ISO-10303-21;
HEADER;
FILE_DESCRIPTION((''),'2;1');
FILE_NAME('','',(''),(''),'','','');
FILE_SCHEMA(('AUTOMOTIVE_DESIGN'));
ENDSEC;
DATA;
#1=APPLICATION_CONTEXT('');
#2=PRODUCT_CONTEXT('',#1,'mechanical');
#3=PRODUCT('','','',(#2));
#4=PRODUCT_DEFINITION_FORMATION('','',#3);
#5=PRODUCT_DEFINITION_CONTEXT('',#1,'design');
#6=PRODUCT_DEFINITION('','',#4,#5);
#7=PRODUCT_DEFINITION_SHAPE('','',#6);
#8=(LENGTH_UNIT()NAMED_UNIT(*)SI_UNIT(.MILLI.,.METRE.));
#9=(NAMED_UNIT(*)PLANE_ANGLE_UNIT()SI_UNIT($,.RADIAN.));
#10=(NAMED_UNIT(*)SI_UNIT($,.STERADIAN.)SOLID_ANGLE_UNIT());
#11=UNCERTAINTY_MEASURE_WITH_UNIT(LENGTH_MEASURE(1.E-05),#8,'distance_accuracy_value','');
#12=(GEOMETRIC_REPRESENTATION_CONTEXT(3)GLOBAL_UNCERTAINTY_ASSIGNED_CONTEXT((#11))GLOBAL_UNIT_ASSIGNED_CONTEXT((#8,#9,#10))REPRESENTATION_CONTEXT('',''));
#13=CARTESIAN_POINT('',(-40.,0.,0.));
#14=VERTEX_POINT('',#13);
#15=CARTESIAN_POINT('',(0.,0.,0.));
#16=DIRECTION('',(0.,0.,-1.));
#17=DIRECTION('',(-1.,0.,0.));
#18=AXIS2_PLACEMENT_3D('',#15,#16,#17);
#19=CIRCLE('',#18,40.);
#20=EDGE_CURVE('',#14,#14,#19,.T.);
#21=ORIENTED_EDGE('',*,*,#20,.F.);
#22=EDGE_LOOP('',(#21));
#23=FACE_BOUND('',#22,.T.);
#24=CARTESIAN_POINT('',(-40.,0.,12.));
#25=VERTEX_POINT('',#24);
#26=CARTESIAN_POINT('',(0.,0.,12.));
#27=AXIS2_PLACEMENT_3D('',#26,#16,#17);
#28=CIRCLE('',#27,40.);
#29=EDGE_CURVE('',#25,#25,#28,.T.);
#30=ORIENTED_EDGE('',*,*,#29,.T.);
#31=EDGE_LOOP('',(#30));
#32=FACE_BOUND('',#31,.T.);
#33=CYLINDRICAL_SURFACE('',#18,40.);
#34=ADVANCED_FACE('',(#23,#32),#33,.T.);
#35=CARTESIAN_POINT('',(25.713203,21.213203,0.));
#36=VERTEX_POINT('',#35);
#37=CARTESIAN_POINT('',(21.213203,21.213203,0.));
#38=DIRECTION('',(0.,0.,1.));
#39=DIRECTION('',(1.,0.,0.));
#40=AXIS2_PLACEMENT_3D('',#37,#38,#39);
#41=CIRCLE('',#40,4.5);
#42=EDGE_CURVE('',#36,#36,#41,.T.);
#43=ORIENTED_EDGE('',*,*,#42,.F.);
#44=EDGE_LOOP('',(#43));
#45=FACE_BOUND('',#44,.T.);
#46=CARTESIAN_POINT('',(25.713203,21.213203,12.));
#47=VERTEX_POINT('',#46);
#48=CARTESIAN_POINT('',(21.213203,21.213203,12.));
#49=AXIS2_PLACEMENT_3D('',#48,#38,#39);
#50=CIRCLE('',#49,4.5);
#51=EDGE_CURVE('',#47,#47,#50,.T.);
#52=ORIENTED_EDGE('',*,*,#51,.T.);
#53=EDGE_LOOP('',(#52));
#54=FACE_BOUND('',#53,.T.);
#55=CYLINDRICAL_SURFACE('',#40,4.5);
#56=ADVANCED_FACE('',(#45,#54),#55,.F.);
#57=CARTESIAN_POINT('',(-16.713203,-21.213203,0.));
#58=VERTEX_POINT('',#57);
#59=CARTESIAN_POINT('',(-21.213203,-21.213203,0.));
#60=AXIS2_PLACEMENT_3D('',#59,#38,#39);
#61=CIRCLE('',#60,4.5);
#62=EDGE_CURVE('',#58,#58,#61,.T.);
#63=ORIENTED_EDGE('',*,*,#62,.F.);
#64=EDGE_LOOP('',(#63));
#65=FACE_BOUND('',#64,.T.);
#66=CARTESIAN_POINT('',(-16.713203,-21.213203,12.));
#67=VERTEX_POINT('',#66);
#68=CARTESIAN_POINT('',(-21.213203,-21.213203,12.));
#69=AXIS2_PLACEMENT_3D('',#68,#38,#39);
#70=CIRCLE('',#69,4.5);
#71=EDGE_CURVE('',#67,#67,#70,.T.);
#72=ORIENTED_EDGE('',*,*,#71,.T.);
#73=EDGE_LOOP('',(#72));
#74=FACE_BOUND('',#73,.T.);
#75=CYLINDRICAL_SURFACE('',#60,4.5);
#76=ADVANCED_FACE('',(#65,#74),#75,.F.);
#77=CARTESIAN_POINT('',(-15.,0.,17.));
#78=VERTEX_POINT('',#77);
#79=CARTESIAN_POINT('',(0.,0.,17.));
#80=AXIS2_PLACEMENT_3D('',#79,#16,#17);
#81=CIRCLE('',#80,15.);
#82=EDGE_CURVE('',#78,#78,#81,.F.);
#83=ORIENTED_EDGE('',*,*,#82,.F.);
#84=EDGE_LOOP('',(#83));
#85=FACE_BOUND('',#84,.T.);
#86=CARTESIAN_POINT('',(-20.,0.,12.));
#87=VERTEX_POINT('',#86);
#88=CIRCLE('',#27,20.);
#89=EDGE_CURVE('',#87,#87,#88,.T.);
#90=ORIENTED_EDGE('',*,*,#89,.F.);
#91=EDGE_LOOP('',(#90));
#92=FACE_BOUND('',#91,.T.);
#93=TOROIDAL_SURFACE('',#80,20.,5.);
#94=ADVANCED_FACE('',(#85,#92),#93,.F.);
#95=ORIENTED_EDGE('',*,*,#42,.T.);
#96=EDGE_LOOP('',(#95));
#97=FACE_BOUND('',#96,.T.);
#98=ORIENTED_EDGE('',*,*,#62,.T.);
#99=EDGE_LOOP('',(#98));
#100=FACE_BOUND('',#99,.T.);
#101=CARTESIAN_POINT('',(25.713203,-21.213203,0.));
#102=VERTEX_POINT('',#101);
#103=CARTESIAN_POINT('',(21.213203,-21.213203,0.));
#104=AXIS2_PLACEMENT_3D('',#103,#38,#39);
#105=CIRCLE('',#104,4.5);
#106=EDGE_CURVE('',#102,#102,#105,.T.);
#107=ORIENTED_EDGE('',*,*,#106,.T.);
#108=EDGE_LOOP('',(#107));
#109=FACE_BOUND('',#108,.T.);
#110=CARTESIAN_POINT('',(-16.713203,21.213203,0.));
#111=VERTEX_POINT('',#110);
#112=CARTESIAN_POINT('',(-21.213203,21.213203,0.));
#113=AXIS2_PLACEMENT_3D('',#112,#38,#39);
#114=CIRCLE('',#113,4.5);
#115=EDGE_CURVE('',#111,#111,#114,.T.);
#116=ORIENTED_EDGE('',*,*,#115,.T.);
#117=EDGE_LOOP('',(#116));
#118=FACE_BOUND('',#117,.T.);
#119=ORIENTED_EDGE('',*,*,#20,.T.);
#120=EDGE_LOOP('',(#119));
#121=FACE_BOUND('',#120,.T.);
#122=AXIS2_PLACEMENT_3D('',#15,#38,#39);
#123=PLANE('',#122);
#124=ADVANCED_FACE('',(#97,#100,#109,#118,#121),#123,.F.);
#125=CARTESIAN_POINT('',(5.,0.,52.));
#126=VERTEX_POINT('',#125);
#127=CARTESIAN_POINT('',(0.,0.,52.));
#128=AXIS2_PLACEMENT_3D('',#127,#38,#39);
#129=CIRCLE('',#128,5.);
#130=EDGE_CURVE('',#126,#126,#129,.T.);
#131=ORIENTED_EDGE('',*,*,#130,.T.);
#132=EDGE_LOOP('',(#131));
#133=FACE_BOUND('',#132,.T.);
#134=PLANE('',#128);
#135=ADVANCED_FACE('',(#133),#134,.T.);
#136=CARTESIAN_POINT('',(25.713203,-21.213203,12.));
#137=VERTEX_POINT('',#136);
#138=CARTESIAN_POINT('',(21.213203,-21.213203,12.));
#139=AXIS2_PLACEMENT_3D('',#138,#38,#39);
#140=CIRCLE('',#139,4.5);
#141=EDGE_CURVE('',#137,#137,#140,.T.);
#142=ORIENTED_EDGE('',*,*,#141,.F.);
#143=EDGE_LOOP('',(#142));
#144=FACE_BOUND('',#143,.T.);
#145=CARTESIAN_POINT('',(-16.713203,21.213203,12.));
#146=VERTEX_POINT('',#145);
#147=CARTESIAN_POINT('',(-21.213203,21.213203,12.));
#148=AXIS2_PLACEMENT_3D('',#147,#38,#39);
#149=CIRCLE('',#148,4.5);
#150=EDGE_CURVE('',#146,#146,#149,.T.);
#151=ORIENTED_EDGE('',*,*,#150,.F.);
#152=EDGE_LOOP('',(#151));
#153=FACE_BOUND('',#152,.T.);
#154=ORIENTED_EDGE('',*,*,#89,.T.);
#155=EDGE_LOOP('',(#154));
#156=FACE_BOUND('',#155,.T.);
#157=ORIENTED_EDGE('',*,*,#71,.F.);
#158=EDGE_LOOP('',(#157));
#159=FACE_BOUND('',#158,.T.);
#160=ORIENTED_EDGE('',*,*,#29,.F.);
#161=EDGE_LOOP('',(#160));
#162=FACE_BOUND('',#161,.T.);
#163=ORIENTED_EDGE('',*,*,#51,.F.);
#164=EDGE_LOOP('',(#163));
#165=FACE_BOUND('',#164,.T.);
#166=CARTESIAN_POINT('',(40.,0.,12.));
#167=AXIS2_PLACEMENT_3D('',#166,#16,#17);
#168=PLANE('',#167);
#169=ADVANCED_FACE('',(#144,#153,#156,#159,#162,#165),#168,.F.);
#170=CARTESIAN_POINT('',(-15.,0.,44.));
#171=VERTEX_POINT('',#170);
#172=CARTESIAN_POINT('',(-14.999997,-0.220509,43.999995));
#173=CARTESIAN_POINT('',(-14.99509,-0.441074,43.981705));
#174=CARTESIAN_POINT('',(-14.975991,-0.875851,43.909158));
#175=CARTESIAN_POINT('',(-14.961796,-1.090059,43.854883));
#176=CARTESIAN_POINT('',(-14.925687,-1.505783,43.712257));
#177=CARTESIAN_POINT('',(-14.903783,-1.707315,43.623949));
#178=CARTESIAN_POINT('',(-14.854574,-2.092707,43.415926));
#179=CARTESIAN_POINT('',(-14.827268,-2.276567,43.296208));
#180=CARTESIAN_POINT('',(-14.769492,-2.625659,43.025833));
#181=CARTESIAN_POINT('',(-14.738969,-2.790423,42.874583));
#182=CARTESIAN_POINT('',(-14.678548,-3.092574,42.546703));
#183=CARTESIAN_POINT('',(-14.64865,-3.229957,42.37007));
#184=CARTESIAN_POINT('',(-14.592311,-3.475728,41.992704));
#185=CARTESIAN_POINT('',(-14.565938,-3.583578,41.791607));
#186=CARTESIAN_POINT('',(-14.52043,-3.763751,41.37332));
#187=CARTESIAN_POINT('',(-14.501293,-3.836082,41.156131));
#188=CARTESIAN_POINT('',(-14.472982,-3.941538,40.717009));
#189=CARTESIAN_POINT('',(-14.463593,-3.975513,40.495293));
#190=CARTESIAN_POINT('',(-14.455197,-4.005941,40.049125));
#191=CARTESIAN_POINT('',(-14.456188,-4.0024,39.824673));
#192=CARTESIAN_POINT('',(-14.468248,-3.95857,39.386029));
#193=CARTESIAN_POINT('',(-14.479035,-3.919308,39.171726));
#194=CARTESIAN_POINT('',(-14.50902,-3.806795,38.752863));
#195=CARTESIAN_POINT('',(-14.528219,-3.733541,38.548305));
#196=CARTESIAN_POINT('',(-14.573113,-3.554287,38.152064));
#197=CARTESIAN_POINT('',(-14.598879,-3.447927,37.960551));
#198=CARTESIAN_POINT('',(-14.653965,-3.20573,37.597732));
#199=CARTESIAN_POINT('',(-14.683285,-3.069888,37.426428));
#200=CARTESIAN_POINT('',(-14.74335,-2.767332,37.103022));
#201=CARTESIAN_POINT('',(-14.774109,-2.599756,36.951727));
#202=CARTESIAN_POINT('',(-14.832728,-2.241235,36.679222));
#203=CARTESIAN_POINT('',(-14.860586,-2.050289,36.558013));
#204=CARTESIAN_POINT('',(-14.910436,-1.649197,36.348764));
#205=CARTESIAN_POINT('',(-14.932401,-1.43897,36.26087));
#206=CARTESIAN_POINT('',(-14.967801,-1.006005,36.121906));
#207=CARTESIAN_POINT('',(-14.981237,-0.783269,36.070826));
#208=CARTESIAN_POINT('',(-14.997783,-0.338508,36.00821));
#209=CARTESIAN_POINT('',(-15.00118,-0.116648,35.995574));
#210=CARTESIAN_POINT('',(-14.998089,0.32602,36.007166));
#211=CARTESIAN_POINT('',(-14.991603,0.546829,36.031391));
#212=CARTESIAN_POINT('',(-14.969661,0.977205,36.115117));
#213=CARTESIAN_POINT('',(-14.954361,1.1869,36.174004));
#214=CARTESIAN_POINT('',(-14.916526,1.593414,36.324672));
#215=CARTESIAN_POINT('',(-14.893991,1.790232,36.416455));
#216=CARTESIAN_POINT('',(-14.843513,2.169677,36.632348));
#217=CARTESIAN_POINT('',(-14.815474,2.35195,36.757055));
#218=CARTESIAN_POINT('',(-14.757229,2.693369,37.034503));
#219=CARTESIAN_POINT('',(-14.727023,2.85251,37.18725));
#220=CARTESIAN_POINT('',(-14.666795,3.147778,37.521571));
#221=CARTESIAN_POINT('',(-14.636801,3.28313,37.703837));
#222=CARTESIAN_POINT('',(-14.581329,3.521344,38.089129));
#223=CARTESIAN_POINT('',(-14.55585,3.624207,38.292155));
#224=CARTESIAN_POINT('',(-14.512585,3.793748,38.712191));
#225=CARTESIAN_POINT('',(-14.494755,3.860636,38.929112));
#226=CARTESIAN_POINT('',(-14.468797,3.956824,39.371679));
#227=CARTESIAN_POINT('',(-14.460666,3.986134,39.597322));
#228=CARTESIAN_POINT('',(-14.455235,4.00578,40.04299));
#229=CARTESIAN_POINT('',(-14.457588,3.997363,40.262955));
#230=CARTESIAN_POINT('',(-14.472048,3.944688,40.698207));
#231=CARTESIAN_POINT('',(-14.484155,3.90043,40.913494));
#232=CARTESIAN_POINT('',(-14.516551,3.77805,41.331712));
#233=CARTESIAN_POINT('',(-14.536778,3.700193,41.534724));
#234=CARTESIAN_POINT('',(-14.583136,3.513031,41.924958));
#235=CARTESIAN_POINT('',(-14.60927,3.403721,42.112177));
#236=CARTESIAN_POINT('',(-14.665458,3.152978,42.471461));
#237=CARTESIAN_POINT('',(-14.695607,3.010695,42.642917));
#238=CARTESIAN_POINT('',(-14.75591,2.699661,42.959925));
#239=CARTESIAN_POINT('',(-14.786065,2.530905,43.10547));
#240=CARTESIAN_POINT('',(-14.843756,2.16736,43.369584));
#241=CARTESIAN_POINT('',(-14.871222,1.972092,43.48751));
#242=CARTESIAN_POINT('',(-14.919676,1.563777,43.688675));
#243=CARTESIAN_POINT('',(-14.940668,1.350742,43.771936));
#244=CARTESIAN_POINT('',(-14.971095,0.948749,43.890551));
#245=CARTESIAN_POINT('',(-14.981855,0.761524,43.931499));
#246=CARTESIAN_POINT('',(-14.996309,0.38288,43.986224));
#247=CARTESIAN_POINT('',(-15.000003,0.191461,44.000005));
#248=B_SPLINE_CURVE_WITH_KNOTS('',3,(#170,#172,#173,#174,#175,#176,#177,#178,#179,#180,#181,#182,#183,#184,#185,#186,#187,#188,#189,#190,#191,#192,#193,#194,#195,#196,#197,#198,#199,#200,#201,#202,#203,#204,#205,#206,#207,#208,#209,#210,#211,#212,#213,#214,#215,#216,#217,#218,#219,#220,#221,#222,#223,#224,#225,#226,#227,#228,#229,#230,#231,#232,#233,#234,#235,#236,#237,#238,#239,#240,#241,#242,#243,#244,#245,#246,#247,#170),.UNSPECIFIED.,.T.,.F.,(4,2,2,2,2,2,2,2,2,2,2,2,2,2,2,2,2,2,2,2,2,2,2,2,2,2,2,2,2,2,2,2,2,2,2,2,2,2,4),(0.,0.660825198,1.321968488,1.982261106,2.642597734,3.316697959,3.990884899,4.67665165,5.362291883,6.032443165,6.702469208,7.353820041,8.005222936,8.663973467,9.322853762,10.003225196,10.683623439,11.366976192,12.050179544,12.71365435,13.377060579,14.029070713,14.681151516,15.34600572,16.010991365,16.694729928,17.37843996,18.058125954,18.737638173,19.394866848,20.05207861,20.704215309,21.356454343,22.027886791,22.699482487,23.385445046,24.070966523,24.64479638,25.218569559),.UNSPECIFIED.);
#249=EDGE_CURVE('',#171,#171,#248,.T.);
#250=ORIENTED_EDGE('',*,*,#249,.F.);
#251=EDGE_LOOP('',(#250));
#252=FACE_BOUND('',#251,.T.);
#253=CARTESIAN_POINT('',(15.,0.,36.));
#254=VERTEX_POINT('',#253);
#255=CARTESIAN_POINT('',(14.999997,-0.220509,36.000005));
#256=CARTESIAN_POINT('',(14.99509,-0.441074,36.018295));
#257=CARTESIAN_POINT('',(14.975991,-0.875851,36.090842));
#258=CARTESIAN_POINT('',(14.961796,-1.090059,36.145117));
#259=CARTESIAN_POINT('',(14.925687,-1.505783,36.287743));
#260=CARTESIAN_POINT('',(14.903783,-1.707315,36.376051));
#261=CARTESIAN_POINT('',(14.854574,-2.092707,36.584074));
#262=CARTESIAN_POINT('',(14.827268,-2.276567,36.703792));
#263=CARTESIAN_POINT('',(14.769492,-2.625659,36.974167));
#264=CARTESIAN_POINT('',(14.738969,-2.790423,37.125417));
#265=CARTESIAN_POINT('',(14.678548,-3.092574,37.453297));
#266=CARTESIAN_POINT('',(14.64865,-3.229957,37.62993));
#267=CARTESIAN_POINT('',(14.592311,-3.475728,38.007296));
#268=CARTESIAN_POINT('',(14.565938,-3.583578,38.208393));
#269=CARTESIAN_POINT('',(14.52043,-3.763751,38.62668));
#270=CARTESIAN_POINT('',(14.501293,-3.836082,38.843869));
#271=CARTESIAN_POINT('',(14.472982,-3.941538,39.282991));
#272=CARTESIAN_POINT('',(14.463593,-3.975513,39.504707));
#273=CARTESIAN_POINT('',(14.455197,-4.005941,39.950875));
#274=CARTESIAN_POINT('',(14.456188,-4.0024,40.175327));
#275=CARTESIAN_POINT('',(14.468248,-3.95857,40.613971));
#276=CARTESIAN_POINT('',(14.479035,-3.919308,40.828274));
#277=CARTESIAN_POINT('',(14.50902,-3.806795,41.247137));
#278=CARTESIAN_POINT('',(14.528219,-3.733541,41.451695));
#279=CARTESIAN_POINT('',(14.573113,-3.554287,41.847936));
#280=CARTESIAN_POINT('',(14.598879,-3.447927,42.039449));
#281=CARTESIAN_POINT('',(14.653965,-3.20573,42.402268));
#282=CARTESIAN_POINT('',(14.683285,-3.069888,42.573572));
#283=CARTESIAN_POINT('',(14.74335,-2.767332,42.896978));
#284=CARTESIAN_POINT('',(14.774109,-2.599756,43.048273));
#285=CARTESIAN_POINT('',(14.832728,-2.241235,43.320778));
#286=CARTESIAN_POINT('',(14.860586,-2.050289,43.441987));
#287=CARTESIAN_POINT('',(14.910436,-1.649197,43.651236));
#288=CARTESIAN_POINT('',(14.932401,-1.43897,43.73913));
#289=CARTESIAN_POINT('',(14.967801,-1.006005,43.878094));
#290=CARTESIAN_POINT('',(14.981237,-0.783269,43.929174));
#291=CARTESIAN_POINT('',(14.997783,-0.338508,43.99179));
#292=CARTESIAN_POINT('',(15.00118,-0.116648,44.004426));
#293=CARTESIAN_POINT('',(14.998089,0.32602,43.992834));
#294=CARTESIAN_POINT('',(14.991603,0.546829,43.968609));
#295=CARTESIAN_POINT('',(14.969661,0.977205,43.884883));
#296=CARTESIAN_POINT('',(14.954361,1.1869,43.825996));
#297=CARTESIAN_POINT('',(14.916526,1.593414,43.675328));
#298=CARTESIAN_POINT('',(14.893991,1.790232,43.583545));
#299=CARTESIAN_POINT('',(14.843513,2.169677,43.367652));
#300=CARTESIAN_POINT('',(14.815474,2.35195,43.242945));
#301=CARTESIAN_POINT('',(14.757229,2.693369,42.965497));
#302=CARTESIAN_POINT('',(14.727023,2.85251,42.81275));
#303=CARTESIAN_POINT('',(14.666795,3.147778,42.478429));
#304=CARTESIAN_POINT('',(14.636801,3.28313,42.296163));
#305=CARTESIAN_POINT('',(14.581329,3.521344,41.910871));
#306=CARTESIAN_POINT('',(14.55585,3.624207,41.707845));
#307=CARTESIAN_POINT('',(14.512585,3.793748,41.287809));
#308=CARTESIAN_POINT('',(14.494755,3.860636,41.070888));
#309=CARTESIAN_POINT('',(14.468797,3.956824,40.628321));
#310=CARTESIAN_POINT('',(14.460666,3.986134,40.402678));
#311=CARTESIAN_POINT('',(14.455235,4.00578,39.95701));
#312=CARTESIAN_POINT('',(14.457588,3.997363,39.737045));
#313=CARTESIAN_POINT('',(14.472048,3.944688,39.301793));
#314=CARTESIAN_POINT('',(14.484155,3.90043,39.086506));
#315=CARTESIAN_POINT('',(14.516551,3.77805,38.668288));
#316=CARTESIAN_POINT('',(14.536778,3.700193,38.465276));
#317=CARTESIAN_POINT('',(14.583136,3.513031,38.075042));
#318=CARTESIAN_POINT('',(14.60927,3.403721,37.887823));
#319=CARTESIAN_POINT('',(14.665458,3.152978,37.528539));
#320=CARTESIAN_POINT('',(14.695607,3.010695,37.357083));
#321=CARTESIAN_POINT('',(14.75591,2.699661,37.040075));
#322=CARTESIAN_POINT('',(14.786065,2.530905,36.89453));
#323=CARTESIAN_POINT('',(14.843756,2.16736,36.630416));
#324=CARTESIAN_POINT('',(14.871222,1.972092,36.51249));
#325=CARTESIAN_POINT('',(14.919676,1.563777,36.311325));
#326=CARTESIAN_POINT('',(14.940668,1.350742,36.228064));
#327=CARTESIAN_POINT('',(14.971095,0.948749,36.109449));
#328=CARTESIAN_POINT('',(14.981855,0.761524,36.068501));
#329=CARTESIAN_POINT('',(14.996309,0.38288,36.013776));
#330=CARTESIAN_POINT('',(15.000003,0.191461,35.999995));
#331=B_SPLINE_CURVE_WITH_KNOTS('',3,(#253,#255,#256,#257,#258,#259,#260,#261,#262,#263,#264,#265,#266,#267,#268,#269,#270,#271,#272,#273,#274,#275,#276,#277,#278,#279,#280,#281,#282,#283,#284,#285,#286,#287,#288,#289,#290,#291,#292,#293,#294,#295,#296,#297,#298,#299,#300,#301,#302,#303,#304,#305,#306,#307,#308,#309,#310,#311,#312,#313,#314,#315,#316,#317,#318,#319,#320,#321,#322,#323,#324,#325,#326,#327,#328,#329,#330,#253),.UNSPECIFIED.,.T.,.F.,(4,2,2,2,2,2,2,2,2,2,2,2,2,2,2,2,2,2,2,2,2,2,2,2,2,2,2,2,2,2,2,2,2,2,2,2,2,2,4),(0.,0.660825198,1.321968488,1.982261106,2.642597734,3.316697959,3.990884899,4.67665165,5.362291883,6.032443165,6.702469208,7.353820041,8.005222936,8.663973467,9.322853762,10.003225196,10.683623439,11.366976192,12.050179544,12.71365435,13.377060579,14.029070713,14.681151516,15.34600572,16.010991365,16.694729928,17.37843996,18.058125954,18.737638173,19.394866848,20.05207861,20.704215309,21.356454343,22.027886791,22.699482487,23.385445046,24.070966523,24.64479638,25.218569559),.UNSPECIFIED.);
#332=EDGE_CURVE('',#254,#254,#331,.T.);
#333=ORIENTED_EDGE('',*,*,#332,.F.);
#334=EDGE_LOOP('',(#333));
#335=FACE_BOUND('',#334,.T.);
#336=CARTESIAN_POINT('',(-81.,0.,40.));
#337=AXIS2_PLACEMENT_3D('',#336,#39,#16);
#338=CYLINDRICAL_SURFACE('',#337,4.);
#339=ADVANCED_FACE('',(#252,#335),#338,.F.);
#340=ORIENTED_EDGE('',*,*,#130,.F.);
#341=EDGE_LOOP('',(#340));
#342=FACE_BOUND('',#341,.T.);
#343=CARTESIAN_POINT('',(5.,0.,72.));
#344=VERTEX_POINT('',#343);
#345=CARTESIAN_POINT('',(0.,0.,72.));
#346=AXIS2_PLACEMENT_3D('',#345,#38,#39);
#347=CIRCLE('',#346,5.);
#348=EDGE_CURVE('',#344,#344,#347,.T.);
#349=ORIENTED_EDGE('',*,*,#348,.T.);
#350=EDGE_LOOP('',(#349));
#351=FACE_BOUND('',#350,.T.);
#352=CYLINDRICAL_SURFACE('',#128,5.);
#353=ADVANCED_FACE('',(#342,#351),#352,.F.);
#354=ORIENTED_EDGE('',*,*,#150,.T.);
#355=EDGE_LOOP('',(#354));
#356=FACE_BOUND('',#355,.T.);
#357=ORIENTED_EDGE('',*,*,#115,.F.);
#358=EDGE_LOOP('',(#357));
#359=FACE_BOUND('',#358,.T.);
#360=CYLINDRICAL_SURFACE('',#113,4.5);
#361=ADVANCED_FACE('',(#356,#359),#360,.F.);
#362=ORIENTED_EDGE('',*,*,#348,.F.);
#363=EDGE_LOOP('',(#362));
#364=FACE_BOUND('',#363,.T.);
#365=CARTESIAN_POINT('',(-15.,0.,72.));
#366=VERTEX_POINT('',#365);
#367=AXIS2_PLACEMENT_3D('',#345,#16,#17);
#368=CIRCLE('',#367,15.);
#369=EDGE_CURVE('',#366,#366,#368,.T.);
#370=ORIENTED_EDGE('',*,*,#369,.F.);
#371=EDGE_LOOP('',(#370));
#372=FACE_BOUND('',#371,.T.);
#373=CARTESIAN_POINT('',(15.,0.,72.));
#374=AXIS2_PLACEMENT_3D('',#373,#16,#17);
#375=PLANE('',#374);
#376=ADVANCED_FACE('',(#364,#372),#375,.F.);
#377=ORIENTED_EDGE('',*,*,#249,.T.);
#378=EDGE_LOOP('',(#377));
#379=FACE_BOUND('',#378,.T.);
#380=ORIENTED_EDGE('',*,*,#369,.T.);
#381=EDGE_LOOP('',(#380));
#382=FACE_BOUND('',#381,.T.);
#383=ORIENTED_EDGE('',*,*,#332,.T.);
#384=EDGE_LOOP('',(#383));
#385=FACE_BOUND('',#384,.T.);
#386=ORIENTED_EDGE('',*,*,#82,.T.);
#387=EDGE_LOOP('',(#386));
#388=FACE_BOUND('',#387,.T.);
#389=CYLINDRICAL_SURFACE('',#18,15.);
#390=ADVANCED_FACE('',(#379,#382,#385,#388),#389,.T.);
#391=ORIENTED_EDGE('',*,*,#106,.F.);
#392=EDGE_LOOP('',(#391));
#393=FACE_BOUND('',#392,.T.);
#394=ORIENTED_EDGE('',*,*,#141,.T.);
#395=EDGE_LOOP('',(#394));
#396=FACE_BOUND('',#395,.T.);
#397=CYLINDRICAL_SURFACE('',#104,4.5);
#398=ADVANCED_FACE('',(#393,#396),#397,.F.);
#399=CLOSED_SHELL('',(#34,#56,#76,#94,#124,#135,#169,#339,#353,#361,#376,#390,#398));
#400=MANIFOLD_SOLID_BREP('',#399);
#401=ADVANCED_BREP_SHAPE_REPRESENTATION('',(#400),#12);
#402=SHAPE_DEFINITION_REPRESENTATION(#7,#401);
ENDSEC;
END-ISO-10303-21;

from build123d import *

# Parameters (mm, degrees)
SKETCH_2_R          = 5
CUT_EXTRUDE_1_DEPTH = 20
SKETCH_3_R          = 4
CUT_EXTRUDE_2_DEPTH = 81
SKETCH_4_R          = 4.5
CUT_EXTRUDE_3_DEPTH = 83.462112585
FILLET_1_R          = 5


with BuildPart() as part:
    # 草图1 → 旋转1 (revolve)
    with BuildSketch(Plane(origin=(0, 0, 0), x_dir=(1, 0, 0), z_dir=(0, 1, 0)), mode=Mode.PRIVATE) as revolve_1_sk:
        Polygon((0, 0), (40, 0), (40, -12), (15, -12), (15, -72), (0, -72), align=None)
    revolve(revolve_1_sk.sketch.rotate(Axis((0, 0, 0), (0, 0, 1)), 180), axis=Axis((0, 0, 0), (0, 0, 1)))

    # 草图2 → 切除-拉伸1 (cut)
    with BuildSketch(Plane.XY.offset(72)):
        Circle(SKETCH_2_R)
    extrude(amount=-CUT_EXTRUDE_1_DEPTH, mode=Mode.SUBTRACT)

    # 草图3 → 切除-拉伸2 (cut, symmetric)
    with BuildSketch(Plane(origin=(0, 0, 0), x_dir=(0, 0, -1), z_dir=(1, 0, 0))):
        with Locations((-40, 0)):
            Circle(SKETCH_3_R)
    extrude(amount=CUT_EXTRUDE_2_DEPTH, both=True, mode=Mode.SUBTRACT)

    # 草图4 → 切除-拉伸3 (cut, through all)
    with BuildSketch(Plane.XY.offset(12)):
        with Locations((21.213203, 21.213203)):
            Circle(SKETCH_4_R)
        with Locations((-21.213203, 21.213203)):
            Circle(SKETCH_4_R)
        with Locations((-21.213203, -21.213203)):
            Circle(SKETCH_4_R)
        with Locations((21.213203, -21.213203)):
            Circle(SKETCH_4_R)
    extrude(amount=-CUT_EXTRUDE_3_DEPTH, mode=Mode.SUBTRACT)

    # 圆角1
    fillet_1_edges = [part.edges().sort_by_distance(p)[0] for p in [
        (15, 0, 12),
    ]]
    fillet(fillet_1_edges, radius=FILLET_1_R)


solid = part.part
